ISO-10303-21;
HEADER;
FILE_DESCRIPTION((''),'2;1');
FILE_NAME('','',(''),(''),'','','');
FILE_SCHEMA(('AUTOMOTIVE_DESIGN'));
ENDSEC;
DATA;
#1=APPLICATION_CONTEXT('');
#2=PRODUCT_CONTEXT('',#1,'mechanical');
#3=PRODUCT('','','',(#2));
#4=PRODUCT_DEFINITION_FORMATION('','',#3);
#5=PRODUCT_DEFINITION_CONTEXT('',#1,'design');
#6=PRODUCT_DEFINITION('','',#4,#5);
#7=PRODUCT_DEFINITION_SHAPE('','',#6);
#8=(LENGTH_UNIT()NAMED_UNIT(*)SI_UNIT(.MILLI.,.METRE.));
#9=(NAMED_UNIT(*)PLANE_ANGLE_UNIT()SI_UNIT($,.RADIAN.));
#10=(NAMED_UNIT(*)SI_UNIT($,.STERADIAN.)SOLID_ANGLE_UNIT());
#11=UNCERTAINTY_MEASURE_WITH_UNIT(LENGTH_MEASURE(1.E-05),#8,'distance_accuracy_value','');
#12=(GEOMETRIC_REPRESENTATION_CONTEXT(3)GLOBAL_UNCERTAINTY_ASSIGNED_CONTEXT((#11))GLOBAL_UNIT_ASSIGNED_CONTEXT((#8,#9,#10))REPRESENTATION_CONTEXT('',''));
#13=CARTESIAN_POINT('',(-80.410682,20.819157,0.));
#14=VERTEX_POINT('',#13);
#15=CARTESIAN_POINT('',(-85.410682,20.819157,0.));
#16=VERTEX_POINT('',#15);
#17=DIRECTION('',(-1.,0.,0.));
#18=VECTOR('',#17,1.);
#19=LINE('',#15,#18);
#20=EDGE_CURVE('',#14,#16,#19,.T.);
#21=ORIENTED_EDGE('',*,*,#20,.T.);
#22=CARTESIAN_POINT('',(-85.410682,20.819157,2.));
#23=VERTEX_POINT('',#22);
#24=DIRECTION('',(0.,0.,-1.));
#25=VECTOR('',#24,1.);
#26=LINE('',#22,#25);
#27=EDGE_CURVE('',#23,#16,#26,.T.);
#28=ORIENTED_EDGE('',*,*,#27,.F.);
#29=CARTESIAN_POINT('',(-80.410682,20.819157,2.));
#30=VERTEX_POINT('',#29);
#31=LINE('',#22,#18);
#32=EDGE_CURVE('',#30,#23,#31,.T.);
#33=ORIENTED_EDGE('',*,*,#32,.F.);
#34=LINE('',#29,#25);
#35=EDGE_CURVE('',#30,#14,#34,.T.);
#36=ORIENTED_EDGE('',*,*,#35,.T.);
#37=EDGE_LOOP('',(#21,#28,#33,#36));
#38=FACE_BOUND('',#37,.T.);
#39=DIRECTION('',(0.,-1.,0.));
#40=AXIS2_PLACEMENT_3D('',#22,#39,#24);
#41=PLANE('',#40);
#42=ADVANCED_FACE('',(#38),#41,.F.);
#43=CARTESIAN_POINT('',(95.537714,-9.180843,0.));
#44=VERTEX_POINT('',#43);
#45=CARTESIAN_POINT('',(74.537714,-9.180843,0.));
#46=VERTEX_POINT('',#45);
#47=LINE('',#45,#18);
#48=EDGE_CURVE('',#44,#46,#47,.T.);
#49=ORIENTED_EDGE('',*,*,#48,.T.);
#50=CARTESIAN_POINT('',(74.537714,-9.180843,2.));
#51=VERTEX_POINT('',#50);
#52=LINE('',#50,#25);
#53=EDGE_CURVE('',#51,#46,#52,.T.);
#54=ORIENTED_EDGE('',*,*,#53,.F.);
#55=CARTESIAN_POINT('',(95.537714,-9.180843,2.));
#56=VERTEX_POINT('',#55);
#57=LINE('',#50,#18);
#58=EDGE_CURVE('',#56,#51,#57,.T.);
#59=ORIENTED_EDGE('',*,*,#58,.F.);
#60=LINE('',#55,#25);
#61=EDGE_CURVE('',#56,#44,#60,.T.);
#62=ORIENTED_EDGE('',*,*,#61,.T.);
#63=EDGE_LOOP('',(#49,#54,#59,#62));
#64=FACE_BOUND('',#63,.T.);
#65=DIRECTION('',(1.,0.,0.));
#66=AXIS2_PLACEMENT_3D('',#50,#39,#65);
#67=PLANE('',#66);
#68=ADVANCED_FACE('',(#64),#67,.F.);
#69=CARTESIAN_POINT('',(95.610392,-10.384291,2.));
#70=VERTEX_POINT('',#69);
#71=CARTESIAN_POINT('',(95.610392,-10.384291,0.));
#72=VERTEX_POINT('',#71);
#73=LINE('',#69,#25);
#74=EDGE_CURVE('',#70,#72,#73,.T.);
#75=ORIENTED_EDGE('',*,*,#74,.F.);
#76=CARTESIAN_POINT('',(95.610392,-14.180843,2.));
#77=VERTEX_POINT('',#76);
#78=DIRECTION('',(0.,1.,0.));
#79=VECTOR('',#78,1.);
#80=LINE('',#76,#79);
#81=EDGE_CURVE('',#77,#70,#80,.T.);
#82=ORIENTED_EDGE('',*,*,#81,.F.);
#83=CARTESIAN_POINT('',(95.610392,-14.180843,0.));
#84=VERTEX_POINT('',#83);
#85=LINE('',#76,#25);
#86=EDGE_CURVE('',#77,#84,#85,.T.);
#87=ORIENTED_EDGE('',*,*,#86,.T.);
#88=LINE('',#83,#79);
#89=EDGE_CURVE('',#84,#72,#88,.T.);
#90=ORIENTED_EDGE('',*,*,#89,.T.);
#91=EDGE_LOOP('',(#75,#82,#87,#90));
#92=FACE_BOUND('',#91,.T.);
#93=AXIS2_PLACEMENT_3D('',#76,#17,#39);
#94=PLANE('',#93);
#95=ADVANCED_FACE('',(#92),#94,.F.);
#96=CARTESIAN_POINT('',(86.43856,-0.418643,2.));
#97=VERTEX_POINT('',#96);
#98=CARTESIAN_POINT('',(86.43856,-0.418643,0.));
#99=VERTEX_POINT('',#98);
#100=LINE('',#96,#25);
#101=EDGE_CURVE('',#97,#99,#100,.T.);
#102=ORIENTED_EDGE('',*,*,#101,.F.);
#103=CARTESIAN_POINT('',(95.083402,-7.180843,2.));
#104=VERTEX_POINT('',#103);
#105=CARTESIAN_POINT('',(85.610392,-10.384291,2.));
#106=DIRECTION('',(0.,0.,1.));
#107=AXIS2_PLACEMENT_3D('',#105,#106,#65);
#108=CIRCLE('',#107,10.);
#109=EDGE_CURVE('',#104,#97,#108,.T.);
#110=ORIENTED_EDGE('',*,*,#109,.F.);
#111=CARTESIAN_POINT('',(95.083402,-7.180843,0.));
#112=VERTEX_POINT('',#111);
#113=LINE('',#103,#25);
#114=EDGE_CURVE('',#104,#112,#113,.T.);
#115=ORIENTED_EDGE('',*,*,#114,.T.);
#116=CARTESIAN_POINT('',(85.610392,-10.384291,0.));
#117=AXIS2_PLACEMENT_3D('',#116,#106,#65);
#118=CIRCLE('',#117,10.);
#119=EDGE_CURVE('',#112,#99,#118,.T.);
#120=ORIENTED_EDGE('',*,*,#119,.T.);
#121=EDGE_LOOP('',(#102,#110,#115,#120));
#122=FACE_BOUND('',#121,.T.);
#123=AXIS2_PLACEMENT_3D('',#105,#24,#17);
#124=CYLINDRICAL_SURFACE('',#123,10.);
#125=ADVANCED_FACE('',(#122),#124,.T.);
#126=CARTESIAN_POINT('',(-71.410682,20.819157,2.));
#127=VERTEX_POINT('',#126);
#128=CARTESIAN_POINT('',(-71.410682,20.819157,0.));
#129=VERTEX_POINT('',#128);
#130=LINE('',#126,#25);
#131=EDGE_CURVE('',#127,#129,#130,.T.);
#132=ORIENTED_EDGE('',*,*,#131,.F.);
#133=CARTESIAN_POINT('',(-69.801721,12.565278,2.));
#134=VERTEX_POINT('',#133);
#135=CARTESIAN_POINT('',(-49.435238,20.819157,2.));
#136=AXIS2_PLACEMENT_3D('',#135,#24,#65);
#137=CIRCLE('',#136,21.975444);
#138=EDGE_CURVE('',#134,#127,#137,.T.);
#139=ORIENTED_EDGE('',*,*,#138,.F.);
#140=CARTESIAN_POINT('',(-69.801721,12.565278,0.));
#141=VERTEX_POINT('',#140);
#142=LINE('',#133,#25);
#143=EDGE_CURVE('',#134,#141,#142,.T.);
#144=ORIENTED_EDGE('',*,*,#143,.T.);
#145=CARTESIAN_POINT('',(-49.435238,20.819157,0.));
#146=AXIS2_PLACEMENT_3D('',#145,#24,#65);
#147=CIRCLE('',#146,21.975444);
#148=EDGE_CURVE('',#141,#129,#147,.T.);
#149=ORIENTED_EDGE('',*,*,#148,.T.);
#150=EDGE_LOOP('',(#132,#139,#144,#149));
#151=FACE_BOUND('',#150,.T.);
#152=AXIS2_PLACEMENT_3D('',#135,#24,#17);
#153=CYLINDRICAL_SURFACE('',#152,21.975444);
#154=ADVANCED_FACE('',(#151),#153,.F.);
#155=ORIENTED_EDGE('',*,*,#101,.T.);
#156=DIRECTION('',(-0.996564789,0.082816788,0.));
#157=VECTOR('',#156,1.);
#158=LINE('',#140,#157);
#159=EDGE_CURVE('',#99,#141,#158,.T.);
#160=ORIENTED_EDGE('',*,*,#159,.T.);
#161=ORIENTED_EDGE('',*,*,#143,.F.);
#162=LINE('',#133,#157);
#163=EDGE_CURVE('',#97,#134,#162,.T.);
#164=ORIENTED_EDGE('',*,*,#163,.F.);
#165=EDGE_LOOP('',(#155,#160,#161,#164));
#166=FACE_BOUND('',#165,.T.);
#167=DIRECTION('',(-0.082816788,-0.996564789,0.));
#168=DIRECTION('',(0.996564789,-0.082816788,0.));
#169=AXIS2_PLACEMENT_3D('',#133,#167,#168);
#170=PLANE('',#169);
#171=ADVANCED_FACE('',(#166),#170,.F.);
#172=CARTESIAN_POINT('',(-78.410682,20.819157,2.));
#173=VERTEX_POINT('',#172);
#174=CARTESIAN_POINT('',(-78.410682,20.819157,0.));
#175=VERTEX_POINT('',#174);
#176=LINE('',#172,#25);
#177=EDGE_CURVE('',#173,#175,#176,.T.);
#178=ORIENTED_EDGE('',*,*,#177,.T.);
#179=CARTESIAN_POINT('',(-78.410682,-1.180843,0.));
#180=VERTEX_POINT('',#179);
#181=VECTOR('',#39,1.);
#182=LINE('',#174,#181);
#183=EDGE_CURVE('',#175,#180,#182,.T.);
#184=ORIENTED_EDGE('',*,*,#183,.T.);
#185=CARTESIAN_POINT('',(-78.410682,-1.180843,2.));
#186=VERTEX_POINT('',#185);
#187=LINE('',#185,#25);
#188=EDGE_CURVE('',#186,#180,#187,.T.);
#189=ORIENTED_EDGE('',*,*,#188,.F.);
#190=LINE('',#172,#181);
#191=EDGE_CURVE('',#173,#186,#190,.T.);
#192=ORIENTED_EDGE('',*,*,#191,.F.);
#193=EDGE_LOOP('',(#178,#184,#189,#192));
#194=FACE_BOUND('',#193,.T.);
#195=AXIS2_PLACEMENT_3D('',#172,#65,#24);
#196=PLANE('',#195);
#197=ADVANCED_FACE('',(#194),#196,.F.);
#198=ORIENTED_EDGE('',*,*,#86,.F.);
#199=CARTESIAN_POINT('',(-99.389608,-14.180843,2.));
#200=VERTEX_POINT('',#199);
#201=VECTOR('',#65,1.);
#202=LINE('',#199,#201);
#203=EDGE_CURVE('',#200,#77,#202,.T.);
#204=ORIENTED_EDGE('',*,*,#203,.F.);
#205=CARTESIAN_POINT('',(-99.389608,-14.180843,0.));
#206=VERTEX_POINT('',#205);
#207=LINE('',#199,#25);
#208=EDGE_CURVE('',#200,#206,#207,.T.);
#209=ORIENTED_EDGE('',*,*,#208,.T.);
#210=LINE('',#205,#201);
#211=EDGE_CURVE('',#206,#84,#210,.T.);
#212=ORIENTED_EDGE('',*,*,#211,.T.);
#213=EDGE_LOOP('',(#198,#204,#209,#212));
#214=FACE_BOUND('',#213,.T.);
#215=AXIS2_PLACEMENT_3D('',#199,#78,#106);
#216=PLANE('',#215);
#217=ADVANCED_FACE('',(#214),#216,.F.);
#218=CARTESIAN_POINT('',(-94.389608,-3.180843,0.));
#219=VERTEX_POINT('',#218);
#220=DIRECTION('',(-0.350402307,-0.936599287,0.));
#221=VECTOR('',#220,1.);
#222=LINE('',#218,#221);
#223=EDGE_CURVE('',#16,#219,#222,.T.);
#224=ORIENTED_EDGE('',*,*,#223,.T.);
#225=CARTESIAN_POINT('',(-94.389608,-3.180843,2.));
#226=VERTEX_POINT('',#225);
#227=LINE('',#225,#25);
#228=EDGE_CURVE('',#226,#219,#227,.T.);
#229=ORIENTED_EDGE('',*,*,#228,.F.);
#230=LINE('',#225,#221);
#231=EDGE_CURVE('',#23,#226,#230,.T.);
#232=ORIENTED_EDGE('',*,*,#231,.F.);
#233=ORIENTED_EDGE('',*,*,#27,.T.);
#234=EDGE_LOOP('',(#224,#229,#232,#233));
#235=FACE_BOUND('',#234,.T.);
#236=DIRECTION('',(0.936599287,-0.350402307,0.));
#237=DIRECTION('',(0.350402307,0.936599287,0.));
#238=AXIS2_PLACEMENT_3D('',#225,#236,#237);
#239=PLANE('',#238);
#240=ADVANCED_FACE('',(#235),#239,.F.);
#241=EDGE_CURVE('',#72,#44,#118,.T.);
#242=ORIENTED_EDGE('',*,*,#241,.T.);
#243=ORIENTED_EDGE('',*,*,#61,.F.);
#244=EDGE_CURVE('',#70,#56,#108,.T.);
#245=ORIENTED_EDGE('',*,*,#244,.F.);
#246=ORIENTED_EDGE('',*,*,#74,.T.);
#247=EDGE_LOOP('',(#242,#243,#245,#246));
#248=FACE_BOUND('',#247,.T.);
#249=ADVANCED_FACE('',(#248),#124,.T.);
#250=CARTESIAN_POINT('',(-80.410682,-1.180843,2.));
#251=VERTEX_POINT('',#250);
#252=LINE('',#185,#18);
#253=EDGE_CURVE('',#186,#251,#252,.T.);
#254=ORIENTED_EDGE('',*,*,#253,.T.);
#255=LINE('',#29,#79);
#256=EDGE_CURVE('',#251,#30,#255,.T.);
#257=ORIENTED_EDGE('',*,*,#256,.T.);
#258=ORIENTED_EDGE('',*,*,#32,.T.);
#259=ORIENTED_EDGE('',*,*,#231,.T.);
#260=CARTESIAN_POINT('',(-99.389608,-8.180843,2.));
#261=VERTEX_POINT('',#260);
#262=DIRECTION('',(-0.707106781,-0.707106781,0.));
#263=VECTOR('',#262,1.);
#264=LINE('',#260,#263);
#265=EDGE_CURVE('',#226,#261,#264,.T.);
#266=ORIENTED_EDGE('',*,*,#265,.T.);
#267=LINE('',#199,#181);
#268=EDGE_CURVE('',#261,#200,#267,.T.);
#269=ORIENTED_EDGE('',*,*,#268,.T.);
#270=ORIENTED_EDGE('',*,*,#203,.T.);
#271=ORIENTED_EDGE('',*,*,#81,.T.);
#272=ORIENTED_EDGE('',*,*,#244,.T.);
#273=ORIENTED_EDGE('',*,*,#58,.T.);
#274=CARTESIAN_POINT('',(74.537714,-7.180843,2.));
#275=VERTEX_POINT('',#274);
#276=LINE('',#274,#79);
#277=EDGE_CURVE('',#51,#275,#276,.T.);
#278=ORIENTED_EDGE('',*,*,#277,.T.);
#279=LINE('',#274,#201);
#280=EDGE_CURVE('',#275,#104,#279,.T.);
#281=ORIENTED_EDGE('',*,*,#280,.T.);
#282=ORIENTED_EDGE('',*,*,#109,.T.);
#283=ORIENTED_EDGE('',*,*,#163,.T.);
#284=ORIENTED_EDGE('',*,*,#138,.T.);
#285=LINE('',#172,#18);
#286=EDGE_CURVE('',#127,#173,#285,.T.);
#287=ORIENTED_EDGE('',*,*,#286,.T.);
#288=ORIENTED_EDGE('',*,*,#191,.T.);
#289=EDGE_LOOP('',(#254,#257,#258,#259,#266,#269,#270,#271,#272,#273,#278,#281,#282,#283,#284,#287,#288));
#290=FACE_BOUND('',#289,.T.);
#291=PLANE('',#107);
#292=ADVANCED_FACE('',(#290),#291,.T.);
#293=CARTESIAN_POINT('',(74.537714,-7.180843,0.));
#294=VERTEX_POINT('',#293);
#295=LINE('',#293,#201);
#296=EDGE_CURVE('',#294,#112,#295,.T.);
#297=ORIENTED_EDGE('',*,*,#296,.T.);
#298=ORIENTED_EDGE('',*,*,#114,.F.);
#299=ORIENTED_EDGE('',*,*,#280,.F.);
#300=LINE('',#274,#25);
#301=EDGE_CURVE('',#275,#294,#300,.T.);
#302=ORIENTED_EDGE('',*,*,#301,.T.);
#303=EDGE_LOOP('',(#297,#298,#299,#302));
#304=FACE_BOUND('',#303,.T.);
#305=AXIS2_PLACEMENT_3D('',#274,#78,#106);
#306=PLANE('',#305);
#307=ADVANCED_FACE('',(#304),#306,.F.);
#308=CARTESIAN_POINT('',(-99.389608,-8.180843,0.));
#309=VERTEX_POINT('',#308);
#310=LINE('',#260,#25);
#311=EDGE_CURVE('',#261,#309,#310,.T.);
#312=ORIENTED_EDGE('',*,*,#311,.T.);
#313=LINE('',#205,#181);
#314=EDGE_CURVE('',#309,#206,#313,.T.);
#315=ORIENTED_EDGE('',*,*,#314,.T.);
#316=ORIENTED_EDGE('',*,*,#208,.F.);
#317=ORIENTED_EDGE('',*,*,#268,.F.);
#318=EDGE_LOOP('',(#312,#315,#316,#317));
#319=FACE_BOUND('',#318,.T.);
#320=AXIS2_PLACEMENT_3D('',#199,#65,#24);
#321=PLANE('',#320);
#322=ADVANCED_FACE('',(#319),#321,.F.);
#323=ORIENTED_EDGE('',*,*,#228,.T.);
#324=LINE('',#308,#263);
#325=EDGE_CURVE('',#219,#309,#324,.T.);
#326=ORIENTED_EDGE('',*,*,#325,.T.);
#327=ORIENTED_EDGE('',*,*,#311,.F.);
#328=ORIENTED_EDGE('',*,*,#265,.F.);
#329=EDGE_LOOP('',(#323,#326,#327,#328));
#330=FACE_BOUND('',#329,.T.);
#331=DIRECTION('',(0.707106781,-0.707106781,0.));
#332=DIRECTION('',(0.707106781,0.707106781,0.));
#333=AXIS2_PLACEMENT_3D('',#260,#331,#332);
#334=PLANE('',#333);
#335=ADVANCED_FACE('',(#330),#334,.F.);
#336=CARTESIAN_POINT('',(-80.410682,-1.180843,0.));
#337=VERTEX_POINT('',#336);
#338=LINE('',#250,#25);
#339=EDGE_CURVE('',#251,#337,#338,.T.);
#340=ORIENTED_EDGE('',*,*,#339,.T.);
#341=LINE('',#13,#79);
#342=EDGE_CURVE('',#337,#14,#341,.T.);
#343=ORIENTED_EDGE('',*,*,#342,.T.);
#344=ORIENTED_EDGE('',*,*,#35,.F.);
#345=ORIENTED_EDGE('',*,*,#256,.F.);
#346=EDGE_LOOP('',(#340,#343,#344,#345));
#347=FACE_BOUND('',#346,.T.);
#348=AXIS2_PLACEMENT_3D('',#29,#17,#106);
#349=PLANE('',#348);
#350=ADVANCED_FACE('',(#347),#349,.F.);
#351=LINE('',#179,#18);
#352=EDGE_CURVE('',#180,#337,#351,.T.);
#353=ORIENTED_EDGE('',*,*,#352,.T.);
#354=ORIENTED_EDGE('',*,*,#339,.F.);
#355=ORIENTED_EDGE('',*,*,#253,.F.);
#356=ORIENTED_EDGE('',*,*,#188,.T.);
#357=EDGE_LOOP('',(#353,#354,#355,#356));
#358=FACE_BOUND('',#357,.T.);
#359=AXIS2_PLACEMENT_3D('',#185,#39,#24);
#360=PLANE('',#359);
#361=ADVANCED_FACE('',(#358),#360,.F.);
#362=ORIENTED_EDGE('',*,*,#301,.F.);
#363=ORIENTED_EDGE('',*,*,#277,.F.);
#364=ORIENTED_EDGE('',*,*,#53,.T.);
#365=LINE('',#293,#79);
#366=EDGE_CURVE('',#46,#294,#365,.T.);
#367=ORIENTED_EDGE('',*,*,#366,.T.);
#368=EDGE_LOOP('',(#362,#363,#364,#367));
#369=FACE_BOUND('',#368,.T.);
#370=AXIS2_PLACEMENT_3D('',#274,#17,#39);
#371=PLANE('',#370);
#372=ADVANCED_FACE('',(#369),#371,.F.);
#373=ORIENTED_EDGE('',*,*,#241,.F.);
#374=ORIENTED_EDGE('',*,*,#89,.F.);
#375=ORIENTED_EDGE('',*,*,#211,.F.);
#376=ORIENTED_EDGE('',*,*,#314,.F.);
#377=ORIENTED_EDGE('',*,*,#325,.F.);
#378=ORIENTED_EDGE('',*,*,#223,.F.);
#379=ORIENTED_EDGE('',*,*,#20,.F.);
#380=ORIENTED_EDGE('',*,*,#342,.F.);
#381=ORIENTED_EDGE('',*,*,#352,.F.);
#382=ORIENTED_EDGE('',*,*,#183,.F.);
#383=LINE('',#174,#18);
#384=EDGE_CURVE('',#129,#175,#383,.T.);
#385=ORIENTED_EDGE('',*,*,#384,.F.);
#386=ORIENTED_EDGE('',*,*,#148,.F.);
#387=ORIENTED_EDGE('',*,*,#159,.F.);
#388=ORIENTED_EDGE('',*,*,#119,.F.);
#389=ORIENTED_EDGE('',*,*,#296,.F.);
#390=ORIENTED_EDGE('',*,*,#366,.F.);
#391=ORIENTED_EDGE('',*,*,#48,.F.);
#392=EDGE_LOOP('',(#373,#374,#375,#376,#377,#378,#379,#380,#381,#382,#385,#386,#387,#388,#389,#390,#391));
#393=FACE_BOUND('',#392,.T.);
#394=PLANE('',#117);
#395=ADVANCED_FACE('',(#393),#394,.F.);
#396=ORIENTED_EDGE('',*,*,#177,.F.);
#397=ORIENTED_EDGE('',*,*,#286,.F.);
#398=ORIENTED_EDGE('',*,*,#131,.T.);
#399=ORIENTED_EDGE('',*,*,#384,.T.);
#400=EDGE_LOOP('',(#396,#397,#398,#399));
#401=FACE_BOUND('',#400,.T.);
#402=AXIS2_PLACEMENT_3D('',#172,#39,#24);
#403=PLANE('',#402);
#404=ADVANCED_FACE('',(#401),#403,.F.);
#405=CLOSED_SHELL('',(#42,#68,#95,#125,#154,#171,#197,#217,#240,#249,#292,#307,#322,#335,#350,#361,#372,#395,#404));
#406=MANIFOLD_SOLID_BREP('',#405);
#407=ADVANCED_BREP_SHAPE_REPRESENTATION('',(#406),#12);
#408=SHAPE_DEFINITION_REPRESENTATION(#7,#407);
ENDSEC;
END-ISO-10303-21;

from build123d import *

# Parameters (mm, degrees)
RESSALTO_EXTRUS_O1_DEPTH = 2


with BuildPart() as part:
    # Esboço1 → Ressalto-extrusão1 (new body)
    with BuildSketch(Plane.XY):
        with BuildLine():
            Line((-99.38960786, -14.180843063), (-99.38960786, -8.180843063))
            Line((-99.38960786, -8.180843063), (-94.38960786, -3.180843063))
            Line((-94.38960786, -3.180843063), (-85.410682211, 20.819156937))
            Line((-85.410682211, 20.819156937), (-80.410682211, 20.819156937))
            Line((-80.410682211, 20.819156937), (-80.410682211, -1.180843063))
            Line((-80.410682211, -1.180843063), (-78.410682211, -1.180843063))
            Line((-78.410682211, -1.180843063), (-78.410682211, 20.819156937))
            Line((-78.410682211, 20.819156937), (-71.410682211, 20.819156937))
            ThreePointArc((-71.410682211, 20.819156937), (-71.004691587, 16.614538042), (-69.801720857, 12.565277632))
            Line((-69.801720857, 12.565277632), (86.438560019, -0.41864307))
            ThreePointArc((86.438560019, -0.41864307), (91.771593682, -2.507769172), (95.083402302, -7.180843063))
            Line((95.083402302, -7.180843063), (74.537713689, -7.180843063))
            Line((74.537713689, -7.180843063), (74.537713689, -9.180843063))
            Line((74.537713689, -9.180843063), (95.537713689, -9.180843063))
            ThreePointArc((95.537713689, -9.180843063), (95.59220599, -9.781470716), (95.61039214, -10.384290965))
            Line((95.61039214, -10.384290965), (95.61039214, -14.180843063))
            Line((95.61039214, -14.180843063), (-99.38960786, -14.180843063))
        make_face()
    extrude(amount=RESSALTO_EXTRUS_O1_DEPTH)


solid = part.part
